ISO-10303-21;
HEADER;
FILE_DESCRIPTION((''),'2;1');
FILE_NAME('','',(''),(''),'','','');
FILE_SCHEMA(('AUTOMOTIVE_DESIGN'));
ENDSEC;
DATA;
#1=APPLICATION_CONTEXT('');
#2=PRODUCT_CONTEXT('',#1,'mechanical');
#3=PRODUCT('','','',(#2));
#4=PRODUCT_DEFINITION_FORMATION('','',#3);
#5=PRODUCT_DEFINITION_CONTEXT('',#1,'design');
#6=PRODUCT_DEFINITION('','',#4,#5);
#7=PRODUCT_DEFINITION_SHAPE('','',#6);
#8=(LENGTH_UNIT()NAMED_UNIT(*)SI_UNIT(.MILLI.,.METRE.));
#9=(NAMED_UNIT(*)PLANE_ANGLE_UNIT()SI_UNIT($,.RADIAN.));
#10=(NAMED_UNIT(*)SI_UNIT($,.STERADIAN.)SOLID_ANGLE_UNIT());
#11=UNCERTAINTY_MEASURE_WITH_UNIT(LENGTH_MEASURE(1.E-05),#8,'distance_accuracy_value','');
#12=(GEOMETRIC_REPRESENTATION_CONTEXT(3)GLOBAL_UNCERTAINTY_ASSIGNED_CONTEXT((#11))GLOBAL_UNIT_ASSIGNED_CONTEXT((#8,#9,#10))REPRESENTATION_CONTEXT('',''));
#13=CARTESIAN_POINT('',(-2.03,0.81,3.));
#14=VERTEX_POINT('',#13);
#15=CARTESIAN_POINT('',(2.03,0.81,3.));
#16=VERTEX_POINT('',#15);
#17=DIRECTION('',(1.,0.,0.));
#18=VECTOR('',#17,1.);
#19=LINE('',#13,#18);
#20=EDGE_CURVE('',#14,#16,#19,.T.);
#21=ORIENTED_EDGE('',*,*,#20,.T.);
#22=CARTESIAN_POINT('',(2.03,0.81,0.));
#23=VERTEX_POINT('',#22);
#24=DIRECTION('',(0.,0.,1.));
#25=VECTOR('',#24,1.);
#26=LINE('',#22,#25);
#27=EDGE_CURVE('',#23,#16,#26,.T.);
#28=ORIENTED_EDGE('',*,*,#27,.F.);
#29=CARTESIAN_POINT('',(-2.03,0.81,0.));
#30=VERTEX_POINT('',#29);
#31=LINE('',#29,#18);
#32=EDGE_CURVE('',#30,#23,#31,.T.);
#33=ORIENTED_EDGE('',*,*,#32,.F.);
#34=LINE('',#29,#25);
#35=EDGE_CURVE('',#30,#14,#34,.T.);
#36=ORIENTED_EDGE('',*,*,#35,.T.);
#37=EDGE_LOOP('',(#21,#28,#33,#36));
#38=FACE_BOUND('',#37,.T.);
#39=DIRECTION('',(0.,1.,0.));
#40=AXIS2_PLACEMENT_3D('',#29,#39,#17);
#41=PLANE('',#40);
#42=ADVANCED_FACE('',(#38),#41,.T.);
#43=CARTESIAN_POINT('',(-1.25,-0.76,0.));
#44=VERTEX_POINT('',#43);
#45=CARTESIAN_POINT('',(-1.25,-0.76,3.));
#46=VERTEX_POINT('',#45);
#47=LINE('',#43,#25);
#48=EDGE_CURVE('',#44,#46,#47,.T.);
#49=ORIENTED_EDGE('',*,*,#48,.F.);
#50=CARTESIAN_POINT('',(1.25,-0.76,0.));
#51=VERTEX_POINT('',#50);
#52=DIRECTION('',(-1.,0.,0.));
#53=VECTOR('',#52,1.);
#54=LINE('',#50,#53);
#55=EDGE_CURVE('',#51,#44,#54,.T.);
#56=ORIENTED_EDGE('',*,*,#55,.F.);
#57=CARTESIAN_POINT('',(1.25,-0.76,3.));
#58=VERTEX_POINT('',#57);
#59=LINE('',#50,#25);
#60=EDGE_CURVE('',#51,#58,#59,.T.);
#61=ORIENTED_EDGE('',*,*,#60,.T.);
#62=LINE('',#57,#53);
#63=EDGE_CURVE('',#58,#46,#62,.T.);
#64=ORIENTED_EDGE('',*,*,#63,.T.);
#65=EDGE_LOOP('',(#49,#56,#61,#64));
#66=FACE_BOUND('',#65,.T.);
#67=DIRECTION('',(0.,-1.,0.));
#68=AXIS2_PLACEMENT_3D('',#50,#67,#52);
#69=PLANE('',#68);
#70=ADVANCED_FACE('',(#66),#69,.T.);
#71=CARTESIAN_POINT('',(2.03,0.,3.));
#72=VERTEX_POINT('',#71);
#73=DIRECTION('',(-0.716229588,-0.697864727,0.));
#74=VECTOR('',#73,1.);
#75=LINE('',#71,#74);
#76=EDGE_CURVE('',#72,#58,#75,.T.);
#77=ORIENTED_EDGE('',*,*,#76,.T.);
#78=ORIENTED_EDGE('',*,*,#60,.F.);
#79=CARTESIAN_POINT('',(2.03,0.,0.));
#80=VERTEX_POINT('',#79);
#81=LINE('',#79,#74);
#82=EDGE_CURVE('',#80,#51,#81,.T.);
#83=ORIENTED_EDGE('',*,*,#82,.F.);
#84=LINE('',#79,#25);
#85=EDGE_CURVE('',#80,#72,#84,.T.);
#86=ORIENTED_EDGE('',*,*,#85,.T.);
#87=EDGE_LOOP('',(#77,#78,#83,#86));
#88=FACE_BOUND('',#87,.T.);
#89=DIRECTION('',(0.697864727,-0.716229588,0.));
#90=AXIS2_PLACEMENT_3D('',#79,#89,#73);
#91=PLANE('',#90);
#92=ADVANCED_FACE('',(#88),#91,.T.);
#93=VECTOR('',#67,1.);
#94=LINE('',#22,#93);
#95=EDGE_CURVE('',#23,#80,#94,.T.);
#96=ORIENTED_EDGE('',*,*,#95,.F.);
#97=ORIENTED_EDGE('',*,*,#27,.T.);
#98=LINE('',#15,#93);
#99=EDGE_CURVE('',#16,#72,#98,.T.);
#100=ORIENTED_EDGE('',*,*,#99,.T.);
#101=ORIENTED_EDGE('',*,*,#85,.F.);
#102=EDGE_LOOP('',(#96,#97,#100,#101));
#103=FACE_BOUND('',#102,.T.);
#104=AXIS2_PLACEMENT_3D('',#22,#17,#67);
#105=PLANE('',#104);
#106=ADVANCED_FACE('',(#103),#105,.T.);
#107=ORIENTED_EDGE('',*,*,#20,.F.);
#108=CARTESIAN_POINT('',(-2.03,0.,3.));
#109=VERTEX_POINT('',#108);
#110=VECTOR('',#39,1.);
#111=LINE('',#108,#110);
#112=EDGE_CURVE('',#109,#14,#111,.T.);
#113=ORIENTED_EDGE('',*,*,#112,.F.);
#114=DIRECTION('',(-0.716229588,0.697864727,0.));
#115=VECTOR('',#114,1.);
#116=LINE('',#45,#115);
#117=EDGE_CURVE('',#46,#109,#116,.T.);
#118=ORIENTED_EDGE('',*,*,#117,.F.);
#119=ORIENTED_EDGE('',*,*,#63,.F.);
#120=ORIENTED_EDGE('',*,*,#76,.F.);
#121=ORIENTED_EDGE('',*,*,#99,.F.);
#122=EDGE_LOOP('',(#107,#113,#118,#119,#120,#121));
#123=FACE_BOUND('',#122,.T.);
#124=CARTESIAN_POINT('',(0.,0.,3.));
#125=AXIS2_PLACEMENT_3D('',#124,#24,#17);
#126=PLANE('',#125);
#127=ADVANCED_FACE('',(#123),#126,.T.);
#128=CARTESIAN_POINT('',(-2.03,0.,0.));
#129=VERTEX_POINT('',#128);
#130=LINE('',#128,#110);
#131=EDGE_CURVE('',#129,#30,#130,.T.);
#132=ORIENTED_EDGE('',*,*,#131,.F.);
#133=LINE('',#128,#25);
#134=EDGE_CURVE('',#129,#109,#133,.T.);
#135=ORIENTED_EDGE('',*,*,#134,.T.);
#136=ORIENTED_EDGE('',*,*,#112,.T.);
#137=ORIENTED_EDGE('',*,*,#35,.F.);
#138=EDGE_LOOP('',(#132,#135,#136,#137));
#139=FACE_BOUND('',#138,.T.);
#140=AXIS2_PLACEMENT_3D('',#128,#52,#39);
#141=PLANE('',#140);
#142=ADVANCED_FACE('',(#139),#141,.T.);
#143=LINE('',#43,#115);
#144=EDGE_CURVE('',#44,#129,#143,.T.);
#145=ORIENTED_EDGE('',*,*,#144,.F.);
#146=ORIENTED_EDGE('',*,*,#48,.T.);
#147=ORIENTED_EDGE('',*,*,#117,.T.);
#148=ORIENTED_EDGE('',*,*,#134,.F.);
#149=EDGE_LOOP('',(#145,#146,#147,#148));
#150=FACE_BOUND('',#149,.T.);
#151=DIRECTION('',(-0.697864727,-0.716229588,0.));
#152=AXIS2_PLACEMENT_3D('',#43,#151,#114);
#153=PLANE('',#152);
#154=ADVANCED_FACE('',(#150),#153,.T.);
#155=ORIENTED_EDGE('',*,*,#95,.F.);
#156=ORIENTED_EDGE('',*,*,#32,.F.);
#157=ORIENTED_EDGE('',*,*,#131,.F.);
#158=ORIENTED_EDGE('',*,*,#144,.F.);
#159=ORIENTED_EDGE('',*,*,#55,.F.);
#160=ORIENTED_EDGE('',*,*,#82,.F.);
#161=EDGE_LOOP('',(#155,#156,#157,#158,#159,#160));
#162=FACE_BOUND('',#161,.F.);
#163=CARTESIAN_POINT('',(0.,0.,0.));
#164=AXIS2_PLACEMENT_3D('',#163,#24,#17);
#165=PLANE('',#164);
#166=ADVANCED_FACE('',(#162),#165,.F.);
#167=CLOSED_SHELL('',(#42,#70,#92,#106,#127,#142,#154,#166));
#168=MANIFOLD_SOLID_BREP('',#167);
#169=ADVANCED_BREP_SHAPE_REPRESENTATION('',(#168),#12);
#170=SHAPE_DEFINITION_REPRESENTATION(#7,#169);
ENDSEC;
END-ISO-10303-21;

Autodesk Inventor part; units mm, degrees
ref_plane "YZ Plane" through (0, 0, 0) normal (1, 0, 0) x (0, 1, 0)
ref_plane "XZ Plane" through (0, 0, 0) normal (0, 1, 0) x (-1, 0, 0)
ref_plane "XY Plane" through (0, 0, 0) normal (0, 0, 1) x (1, 0, 0)
sketch "Sketch1" plane through (0, 0, 0) normal (0, 0, 1) x (1, 0, 0)
  line L0 (-2.03, 0.81) -> (2.03, 0.81)
  line L1 (2.03, 0.81) -> (2.03, 0)
  line L2 (2.03, 0) -> (1.25, -0.76)
  line L3 (1.25, -0.76) -> (-1.25, -0.76)
  line L4 (-1.25, -0.76) -> (-2.03, 0)
  line L5 (-2.03, 0) -> (-2.03, 0.81)
  line L6 (-2.03, 0) -> (2.03, 0) construction
  line L7 (0, 0.81) -> (0, -0.76) construction
  point P0 (0, 0)
  point P1 (0, 0)
  dimension "d0" = 4.06
  dimension "d1" = 2.5
  dimension "d2" = 1.57
  dimension "d3" = 0.76
extrude "Extrusion1" add sketch "Sketch1" along normal blind 3
sketch3d "3D Sketch1"
properties part number "HallEffectSensor"
